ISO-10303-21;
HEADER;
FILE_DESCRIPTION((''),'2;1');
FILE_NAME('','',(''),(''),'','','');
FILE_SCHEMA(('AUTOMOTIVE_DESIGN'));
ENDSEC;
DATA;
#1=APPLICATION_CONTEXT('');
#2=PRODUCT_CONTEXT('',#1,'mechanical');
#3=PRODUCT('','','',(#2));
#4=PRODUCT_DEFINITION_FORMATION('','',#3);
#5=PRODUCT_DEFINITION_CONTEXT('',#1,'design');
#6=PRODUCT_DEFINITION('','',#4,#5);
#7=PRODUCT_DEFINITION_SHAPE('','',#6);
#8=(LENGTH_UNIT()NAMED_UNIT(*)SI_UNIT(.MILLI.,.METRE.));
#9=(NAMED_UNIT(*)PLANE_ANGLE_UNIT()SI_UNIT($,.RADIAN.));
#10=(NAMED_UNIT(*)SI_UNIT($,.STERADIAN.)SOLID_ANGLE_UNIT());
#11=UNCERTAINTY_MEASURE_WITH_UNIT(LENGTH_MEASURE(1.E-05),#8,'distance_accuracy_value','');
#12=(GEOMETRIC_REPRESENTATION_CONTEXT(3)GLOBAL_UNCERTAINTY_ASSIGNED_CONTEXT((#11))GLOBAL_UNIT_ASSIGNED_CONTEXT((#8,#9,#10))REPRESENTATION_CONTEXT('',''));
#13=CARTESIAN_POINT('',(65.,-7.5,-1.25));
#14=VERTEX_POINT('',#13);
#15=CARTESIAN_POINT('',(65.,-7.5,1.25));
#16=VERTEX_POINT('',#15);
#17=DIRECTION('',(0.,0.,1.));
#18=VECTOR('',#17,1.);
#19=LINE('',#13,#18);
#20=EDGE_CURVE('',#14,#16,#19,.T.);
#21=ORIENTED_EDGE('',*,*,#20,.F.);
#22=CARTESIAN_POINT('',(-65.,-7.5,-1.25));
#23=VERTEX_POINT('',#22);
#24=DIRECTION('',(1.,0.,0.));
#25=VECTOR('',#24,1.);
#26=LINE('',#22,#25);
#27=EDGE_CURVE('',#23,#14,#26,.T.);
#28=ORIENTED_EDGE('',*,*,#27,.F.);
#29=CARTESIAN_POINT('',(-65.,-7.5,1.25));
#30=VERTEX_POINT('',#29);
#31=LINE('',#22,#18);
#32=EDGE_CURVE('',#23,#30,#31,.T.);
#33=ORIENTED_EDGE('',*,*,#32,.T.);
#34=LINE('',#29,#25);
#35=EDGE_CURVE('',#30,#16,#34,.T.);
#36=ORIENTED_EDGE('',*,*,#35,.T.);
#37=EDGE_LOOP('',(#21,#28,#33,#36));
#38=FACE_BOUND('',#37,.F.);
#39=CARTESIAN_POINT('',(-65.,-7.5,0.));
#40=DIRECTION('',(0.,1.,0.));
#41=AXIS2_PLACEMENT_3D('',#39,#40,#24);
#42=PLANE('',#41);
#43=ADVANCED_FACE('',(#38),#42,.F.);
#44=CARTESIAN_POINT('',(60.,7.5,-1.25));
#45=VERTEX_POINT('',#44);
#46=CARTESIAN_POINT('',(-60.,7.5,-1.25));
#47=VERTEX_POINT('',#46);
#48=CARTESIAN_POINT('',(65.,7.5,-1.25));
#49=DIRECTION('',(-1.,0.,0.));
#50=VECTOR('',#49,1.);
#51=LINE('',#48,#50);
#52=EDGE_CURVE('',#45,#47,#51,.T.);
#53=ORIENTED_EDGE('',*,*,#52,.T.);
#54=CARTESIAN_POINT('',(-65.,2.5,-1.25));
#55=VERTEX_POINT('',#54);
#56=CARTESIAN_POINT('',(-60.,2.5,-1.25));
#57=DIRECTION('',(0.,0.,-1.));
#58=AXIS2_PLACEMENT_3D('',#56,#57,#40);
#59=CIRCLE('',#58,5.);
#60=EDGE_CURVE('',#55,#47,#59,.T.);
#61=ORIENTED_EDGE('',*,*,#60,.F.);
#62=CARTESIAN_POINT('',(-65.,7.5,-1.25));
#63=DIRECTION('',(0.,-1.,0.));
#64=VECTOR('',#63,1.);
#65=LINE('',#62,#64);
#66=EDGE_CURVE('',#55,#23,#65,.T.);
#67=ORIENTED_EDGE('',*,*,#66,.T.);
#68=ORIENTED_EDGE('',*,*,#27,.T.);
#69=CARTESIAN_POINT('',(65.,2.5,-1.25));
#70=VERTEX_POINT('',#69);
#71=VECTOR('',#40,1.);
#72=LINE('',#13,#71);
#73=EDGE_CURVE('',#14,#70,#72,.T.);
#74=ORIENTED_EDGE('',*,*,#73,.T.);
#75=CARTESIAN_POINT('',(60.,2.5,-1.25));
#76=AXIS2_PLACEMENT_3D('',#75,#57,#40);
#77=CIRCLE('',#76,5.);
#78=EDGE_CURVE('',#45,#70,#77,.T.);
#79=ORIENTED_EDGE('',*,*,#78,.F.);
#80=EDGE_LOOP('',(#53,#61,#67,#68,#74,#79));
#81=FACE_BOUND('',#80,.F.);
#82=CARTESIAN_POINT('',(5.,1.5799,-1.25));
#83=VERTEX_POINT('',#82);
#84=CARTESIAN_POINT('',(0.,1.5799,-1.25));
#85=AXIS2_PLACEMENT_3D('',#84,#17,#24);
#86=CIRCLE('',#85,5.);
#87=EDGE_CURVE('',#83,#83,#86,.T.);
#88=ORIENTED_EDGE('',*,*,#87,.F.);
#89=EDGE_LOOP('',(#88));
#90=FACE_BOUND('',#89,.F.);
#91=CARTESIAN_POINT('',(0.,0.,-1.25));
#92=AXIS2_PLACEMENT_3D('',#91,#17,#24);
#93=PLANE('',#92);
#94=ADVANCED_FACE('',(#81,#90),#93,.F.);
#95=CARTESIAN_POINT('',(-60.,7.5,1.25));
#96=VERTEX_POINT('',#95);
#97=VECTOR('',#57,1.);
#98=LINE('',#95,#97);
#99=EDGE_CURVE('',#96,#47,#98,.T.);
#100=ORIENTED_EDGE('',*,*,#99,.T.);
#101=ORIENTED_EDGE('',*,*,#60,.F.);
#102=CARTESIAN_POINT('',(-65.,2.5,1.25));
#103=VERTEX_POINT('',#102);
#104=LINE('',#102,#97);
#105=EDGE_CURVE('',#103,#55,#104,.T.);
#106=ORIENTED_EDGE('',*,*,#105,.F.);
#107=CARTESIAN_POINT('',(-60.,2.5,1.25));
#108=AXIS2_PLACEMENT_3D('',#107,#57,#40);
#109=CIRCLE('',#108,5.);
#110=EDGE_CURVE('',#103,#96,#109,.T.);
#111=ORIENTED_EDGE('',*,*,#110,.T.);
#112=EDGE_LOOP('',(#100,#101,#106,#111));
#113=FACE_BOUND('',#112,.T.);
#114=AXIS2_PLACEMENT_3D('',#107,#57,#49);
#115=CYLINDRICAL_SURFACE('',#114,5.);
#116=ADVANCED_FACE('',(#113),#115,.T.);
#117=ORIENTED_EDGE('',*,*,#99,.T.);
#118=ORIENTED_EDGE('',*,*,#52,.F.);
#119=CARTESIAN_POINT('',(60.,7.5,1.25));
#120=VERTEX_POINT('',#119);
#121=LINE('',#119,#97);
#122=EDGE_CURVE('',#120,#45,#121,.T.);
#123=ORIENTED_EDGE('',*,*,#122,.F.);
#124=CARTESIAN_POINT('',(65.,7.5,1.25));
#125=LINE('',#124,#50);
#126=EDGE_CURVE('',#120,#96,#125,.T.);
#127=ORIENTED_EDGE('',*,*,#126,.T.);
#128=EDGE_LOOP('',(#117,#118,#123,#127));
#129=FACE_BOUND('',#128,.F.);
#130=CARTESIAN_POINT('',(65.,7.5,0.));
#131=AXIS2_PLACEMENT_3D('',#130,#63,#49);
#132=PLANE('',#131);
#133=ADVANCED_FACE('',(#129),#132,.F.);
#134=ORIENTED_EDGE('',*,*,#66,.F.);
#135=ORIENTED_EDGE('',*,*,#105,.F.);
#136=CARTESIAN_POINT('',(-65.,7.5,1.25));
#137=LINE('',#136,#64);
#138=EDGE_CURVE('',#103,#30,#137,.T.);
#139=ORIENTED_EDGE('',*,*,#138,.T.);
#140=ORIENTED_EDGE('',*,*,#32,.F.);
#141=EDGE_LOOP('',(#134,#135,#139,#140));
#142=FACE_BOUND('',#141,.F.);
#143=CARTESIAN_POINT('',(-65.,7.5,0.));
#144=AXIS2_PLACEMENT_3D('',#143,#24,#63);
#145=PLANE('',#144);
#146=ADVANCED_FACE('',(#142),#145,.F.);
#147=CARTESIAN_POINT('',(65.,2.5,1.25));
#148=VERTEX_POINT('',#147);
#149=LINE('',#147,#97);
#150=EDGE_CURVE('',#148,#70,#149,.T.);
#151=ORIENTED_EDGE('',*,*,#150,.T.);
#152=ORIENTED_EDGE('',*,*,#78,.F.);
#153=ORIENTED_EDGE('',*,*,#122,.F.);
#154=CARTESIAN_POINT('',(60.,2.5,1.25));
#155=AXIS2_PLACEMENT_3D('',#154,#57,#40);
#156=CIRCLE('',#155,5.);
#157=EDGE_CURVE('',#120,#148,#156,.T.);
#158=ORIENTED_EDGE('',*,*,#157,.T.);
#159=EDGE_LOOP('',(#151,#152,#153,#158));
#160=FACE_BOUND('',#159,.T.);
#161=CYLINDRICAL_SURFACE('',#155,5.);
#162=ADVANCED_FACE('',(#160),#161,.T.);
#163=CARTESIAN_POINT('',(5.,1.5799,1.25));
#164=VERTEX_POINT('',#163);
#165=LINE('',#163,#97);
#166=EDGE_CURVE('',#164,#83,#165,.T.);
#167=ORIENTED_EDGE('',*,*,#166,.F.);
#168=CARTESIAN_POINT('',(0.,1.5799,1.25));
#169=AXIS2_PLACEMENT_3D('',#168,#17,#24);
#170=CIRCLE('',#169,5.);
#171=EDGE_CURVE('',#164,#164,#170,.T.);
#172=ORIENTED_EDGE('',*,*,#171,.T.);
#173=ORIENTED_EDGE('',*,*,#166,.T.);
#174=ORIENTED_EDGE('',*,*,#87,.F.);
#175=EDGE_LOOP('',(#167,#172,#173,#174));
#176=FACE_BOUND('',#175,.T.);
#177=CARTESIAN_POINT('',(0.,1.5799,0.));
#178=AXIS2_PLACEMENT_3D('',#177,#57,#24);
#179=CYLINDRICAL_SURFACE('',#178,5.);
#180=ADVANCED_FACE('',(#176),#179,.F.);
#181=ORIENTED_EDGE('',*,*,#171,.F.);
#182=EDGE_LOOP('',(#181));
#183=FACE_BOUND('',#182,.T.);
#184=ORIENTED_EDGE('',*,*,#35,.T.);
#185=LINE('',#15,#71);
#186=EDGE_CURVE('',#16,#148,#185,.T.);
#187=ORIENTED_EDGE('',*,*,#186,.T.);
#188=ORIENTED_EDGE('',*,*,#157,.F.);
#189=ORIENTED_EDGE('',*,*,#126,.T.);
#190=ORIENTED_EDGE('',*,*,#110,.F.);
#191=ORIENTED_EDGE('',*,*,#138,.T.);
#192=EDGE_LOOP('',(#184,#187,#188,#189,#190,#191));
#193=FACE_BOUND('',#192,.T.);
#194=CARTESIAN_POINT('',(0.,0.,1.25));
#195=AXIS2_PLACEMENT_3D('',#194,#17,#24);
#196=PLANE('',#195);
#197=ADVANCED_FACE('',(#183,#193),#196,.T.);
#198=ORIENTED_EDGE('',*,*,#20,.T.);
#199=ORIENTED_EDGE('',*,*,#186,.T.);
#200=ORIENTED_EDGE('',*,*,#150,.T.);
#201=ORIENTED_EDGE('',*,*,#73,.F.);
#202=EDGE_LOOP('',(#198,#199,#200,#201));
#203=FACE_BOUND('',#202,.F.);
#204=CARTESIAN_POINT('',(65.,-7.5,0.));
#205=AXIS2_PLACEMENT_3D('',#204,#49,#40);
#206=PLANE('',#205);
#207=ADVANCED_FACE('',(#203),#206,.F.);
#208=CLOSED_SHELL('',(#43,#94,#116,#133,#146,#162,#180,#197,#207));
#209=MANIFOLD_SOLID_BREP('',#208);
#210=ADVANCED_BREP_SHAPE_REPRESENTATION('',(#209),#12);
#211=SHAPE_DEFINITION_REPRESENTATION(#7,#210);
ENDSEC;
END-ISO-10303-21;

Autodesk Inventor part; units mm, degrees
ref_plane "YZ Plane" through (0, 0, 0) normal (1, 0, 0) x (0, 1, 0)
ref_plane "XZ Plane" through (0, 0, 0) normal (0, 1, 0) x (-1, 0, 0)
ref_plane "XY Plane" through (0, 0, 0) normal (0, 0, 1) x (1, 0, 0)
sketch "草圖1" plane through (0, 0, 0) normal (0, 0, 1) x (1, 0, 0)
  line L0 (0, 0) -> (-46.9602, 0) construction
  line L1 (0, 0) -> (0, 45.4619) construction
  line L2 (-65, -7.5) -> (65, -7.5)
  line L3 (65, -7.5) -> (65, 7.5)
  line L4 (65, 7.5) -> (-65, 7.5)
  line L5 (-65, 7.5) -> (-65, -7.5)
  line L6 (-65, -7.5) -> (65, 7.5) construction
  line L7 (65, -7.5) -> (-65, 7.5) construction
  circle A0 centre (0, 1.5799) radius 5
  dimension "d0" = 15
  dimension "d1" = 130
  dimension "d5" = 10
extrude "擠出1" add sketch "草圖1" along normal mid plane 2.5
fillet "圓角1" radius 5 2 edges at (-65, 7.5, 0) (65, 7.5, 0)
properties part number "0 零件" material "橡膠"
